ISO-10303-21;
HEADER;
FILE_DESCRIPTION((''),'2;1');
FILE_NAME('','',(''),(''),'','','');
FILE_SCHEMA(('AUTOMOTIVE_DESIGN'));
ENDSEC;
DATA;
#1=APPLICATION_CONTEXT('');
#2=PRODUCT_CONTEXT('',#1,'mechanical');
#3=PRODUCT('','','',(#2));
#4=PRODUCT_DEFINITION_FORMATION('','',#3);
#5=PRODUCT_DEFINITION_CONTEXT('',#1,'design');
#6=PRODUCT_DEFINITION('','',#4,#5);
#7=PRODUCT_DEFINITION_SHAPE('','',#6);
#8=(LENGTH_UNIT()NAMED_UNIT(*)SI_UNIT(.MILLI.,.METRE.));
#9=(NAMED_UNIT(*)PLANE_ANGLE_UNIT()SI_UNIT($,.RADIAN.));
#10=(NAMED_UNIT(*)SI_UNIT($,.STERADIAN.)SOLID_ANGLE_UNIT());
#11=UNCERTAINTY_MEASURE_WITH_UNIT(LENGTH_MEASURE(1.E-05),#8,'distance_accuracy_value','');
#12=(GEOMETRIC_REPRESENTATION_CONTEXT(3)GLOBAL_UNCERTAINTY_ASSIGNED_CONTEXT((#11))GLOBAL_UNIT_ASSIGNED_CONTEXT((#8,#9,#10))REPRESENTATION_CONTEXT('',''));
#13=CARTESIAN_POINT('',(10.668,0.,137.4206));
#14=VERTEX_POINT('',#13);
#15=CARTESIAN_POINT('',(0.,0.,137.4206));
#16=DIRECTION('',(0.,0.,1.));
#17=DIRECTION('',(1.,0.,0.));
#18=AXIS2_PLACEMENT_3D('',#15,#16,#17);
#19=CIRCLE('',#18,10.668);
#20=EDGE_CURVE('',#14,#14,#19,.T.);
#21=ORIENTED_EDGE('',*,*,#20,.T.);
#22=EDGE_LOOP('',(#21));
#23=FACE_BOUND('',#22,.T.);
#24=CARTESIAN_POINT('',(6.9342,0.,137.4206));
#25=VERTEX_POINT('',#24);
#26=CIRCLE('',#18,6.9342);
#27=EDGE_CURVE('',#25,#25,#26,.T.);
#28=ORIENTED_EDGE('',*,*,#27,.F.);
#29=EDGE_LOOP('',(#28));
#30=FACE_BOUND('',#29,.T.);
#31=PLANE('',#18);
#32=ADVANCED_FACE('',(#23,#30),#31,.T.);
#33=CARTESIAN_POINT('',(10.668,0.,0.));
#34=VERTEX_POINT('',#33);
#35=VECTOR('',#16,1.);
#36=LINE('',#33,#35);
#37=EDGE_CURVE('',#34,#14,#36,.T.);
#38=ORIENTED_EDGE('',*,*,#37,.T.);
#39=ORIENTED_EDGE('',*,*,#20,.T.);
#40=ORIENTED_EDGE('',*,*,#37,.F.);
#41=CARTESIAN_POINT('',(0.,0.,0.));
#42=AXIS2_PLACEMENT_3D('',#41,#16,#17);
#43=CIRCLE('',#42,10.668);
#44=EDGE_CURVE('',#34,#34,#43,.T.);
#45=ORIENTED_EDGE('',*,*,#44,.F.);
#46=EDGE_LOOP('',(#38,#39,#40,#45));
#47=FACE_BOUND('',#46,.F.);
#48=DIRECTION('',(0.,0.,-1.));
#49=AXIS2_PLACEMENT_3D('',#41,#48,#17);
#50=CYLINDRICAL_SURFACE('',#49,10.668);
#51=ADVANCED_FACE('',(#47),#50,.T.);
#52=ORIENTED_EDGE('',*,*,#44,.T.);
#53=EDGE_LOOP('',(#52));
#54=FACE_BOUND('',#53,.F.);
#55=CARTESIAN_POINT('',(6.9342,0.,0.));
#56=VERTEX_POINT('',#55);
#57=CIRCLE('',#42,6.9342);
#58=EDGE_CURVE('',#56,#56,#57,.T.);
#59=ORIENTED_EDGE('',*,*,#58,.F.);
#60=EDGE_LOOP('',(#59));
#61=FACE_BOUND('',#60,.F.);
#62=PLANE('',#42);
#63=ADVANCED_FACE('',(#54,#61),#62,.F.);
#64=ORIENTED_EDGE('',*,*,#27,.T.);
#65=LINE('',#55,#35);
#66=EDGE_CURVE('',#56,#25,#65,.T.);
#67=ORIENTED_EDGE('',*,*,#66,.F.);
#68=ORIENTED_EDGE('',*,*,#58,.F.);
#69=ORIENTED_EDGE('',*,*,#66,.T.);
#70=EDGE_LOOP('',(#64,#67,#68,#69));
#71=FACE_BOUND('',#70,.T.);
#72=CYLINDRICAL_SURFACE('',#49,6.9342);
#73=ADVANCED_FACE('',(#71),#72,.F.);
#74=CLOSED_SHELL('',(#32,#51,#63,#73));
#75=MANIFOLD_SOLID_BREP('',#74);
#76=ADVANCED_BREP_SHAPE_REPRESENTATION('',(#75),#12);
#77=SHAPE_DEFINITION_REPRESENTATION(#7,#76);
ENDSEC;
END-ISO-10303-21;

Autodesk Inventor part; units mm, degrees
ref_plane "YZ Plane" through (0, 0, 0) normal (1, 0, 0) x (0, 1, 0)
ref_plane "Start Plane" through (0, 0, 0) normal (0, 0, 1) x (1, 0, 0)
ref_plane "End Plane" through (0, 0, 137.4206) normal (0, 0, 1) x (1, 0, 0)
sketch "Sketch" plane through (0, 0, 0) normal (0, 0, 1) x (1, 0, 0)
  circle A0 centre (0, 0) radius 6.9342
  circle A1 centre (0, 0) radius 10.668
  dimension "d0" = 21.336
  dimension "d1" = 3.7338
extrude "Body" add sketch "Sketch" along normal up to surface (137.4206 mm away) from surface at 0
sketch "Sketch3" plane through (0, 0, 0) normal (0, 0, 1) x (1, 0, 0)
  line L0 (0, 0) -> (10, 0)
ref_plane "Work Plane3" through (0, 0, 0) normal (0, -1, 0) x (1, 0, 0)
sketch "Sketch4" plane through (0, 0, 0) normal (0, -1, 0) x (1, 0, 0)
  line L0 (-2, 0) -> (12, 0) projected
  line L1 (-2, 137.4206) -> (12, 137.4206) projected
  dimension "d7" = 137.4206
equation "\"d0\" = G_H"
equation "\"d1\" = G_T"
equation "\"d2\" = G_L"
equation "\"G_H\" = 21.336"
equation "\"G_T\" = 3.7338"
equation "\"G_L\" = d7"
equation "\"G_OFFSET_START\" = 0"
equation "\"G_OFFSET_END\" = 0"
equation "\"d5\" = G_OFFSET_END + B_L"
equation "\"B_L\" = 137.42058"
properties part number "ANSI - 1/2 x 0.147 - 5.41" material "Steel, Mild"
